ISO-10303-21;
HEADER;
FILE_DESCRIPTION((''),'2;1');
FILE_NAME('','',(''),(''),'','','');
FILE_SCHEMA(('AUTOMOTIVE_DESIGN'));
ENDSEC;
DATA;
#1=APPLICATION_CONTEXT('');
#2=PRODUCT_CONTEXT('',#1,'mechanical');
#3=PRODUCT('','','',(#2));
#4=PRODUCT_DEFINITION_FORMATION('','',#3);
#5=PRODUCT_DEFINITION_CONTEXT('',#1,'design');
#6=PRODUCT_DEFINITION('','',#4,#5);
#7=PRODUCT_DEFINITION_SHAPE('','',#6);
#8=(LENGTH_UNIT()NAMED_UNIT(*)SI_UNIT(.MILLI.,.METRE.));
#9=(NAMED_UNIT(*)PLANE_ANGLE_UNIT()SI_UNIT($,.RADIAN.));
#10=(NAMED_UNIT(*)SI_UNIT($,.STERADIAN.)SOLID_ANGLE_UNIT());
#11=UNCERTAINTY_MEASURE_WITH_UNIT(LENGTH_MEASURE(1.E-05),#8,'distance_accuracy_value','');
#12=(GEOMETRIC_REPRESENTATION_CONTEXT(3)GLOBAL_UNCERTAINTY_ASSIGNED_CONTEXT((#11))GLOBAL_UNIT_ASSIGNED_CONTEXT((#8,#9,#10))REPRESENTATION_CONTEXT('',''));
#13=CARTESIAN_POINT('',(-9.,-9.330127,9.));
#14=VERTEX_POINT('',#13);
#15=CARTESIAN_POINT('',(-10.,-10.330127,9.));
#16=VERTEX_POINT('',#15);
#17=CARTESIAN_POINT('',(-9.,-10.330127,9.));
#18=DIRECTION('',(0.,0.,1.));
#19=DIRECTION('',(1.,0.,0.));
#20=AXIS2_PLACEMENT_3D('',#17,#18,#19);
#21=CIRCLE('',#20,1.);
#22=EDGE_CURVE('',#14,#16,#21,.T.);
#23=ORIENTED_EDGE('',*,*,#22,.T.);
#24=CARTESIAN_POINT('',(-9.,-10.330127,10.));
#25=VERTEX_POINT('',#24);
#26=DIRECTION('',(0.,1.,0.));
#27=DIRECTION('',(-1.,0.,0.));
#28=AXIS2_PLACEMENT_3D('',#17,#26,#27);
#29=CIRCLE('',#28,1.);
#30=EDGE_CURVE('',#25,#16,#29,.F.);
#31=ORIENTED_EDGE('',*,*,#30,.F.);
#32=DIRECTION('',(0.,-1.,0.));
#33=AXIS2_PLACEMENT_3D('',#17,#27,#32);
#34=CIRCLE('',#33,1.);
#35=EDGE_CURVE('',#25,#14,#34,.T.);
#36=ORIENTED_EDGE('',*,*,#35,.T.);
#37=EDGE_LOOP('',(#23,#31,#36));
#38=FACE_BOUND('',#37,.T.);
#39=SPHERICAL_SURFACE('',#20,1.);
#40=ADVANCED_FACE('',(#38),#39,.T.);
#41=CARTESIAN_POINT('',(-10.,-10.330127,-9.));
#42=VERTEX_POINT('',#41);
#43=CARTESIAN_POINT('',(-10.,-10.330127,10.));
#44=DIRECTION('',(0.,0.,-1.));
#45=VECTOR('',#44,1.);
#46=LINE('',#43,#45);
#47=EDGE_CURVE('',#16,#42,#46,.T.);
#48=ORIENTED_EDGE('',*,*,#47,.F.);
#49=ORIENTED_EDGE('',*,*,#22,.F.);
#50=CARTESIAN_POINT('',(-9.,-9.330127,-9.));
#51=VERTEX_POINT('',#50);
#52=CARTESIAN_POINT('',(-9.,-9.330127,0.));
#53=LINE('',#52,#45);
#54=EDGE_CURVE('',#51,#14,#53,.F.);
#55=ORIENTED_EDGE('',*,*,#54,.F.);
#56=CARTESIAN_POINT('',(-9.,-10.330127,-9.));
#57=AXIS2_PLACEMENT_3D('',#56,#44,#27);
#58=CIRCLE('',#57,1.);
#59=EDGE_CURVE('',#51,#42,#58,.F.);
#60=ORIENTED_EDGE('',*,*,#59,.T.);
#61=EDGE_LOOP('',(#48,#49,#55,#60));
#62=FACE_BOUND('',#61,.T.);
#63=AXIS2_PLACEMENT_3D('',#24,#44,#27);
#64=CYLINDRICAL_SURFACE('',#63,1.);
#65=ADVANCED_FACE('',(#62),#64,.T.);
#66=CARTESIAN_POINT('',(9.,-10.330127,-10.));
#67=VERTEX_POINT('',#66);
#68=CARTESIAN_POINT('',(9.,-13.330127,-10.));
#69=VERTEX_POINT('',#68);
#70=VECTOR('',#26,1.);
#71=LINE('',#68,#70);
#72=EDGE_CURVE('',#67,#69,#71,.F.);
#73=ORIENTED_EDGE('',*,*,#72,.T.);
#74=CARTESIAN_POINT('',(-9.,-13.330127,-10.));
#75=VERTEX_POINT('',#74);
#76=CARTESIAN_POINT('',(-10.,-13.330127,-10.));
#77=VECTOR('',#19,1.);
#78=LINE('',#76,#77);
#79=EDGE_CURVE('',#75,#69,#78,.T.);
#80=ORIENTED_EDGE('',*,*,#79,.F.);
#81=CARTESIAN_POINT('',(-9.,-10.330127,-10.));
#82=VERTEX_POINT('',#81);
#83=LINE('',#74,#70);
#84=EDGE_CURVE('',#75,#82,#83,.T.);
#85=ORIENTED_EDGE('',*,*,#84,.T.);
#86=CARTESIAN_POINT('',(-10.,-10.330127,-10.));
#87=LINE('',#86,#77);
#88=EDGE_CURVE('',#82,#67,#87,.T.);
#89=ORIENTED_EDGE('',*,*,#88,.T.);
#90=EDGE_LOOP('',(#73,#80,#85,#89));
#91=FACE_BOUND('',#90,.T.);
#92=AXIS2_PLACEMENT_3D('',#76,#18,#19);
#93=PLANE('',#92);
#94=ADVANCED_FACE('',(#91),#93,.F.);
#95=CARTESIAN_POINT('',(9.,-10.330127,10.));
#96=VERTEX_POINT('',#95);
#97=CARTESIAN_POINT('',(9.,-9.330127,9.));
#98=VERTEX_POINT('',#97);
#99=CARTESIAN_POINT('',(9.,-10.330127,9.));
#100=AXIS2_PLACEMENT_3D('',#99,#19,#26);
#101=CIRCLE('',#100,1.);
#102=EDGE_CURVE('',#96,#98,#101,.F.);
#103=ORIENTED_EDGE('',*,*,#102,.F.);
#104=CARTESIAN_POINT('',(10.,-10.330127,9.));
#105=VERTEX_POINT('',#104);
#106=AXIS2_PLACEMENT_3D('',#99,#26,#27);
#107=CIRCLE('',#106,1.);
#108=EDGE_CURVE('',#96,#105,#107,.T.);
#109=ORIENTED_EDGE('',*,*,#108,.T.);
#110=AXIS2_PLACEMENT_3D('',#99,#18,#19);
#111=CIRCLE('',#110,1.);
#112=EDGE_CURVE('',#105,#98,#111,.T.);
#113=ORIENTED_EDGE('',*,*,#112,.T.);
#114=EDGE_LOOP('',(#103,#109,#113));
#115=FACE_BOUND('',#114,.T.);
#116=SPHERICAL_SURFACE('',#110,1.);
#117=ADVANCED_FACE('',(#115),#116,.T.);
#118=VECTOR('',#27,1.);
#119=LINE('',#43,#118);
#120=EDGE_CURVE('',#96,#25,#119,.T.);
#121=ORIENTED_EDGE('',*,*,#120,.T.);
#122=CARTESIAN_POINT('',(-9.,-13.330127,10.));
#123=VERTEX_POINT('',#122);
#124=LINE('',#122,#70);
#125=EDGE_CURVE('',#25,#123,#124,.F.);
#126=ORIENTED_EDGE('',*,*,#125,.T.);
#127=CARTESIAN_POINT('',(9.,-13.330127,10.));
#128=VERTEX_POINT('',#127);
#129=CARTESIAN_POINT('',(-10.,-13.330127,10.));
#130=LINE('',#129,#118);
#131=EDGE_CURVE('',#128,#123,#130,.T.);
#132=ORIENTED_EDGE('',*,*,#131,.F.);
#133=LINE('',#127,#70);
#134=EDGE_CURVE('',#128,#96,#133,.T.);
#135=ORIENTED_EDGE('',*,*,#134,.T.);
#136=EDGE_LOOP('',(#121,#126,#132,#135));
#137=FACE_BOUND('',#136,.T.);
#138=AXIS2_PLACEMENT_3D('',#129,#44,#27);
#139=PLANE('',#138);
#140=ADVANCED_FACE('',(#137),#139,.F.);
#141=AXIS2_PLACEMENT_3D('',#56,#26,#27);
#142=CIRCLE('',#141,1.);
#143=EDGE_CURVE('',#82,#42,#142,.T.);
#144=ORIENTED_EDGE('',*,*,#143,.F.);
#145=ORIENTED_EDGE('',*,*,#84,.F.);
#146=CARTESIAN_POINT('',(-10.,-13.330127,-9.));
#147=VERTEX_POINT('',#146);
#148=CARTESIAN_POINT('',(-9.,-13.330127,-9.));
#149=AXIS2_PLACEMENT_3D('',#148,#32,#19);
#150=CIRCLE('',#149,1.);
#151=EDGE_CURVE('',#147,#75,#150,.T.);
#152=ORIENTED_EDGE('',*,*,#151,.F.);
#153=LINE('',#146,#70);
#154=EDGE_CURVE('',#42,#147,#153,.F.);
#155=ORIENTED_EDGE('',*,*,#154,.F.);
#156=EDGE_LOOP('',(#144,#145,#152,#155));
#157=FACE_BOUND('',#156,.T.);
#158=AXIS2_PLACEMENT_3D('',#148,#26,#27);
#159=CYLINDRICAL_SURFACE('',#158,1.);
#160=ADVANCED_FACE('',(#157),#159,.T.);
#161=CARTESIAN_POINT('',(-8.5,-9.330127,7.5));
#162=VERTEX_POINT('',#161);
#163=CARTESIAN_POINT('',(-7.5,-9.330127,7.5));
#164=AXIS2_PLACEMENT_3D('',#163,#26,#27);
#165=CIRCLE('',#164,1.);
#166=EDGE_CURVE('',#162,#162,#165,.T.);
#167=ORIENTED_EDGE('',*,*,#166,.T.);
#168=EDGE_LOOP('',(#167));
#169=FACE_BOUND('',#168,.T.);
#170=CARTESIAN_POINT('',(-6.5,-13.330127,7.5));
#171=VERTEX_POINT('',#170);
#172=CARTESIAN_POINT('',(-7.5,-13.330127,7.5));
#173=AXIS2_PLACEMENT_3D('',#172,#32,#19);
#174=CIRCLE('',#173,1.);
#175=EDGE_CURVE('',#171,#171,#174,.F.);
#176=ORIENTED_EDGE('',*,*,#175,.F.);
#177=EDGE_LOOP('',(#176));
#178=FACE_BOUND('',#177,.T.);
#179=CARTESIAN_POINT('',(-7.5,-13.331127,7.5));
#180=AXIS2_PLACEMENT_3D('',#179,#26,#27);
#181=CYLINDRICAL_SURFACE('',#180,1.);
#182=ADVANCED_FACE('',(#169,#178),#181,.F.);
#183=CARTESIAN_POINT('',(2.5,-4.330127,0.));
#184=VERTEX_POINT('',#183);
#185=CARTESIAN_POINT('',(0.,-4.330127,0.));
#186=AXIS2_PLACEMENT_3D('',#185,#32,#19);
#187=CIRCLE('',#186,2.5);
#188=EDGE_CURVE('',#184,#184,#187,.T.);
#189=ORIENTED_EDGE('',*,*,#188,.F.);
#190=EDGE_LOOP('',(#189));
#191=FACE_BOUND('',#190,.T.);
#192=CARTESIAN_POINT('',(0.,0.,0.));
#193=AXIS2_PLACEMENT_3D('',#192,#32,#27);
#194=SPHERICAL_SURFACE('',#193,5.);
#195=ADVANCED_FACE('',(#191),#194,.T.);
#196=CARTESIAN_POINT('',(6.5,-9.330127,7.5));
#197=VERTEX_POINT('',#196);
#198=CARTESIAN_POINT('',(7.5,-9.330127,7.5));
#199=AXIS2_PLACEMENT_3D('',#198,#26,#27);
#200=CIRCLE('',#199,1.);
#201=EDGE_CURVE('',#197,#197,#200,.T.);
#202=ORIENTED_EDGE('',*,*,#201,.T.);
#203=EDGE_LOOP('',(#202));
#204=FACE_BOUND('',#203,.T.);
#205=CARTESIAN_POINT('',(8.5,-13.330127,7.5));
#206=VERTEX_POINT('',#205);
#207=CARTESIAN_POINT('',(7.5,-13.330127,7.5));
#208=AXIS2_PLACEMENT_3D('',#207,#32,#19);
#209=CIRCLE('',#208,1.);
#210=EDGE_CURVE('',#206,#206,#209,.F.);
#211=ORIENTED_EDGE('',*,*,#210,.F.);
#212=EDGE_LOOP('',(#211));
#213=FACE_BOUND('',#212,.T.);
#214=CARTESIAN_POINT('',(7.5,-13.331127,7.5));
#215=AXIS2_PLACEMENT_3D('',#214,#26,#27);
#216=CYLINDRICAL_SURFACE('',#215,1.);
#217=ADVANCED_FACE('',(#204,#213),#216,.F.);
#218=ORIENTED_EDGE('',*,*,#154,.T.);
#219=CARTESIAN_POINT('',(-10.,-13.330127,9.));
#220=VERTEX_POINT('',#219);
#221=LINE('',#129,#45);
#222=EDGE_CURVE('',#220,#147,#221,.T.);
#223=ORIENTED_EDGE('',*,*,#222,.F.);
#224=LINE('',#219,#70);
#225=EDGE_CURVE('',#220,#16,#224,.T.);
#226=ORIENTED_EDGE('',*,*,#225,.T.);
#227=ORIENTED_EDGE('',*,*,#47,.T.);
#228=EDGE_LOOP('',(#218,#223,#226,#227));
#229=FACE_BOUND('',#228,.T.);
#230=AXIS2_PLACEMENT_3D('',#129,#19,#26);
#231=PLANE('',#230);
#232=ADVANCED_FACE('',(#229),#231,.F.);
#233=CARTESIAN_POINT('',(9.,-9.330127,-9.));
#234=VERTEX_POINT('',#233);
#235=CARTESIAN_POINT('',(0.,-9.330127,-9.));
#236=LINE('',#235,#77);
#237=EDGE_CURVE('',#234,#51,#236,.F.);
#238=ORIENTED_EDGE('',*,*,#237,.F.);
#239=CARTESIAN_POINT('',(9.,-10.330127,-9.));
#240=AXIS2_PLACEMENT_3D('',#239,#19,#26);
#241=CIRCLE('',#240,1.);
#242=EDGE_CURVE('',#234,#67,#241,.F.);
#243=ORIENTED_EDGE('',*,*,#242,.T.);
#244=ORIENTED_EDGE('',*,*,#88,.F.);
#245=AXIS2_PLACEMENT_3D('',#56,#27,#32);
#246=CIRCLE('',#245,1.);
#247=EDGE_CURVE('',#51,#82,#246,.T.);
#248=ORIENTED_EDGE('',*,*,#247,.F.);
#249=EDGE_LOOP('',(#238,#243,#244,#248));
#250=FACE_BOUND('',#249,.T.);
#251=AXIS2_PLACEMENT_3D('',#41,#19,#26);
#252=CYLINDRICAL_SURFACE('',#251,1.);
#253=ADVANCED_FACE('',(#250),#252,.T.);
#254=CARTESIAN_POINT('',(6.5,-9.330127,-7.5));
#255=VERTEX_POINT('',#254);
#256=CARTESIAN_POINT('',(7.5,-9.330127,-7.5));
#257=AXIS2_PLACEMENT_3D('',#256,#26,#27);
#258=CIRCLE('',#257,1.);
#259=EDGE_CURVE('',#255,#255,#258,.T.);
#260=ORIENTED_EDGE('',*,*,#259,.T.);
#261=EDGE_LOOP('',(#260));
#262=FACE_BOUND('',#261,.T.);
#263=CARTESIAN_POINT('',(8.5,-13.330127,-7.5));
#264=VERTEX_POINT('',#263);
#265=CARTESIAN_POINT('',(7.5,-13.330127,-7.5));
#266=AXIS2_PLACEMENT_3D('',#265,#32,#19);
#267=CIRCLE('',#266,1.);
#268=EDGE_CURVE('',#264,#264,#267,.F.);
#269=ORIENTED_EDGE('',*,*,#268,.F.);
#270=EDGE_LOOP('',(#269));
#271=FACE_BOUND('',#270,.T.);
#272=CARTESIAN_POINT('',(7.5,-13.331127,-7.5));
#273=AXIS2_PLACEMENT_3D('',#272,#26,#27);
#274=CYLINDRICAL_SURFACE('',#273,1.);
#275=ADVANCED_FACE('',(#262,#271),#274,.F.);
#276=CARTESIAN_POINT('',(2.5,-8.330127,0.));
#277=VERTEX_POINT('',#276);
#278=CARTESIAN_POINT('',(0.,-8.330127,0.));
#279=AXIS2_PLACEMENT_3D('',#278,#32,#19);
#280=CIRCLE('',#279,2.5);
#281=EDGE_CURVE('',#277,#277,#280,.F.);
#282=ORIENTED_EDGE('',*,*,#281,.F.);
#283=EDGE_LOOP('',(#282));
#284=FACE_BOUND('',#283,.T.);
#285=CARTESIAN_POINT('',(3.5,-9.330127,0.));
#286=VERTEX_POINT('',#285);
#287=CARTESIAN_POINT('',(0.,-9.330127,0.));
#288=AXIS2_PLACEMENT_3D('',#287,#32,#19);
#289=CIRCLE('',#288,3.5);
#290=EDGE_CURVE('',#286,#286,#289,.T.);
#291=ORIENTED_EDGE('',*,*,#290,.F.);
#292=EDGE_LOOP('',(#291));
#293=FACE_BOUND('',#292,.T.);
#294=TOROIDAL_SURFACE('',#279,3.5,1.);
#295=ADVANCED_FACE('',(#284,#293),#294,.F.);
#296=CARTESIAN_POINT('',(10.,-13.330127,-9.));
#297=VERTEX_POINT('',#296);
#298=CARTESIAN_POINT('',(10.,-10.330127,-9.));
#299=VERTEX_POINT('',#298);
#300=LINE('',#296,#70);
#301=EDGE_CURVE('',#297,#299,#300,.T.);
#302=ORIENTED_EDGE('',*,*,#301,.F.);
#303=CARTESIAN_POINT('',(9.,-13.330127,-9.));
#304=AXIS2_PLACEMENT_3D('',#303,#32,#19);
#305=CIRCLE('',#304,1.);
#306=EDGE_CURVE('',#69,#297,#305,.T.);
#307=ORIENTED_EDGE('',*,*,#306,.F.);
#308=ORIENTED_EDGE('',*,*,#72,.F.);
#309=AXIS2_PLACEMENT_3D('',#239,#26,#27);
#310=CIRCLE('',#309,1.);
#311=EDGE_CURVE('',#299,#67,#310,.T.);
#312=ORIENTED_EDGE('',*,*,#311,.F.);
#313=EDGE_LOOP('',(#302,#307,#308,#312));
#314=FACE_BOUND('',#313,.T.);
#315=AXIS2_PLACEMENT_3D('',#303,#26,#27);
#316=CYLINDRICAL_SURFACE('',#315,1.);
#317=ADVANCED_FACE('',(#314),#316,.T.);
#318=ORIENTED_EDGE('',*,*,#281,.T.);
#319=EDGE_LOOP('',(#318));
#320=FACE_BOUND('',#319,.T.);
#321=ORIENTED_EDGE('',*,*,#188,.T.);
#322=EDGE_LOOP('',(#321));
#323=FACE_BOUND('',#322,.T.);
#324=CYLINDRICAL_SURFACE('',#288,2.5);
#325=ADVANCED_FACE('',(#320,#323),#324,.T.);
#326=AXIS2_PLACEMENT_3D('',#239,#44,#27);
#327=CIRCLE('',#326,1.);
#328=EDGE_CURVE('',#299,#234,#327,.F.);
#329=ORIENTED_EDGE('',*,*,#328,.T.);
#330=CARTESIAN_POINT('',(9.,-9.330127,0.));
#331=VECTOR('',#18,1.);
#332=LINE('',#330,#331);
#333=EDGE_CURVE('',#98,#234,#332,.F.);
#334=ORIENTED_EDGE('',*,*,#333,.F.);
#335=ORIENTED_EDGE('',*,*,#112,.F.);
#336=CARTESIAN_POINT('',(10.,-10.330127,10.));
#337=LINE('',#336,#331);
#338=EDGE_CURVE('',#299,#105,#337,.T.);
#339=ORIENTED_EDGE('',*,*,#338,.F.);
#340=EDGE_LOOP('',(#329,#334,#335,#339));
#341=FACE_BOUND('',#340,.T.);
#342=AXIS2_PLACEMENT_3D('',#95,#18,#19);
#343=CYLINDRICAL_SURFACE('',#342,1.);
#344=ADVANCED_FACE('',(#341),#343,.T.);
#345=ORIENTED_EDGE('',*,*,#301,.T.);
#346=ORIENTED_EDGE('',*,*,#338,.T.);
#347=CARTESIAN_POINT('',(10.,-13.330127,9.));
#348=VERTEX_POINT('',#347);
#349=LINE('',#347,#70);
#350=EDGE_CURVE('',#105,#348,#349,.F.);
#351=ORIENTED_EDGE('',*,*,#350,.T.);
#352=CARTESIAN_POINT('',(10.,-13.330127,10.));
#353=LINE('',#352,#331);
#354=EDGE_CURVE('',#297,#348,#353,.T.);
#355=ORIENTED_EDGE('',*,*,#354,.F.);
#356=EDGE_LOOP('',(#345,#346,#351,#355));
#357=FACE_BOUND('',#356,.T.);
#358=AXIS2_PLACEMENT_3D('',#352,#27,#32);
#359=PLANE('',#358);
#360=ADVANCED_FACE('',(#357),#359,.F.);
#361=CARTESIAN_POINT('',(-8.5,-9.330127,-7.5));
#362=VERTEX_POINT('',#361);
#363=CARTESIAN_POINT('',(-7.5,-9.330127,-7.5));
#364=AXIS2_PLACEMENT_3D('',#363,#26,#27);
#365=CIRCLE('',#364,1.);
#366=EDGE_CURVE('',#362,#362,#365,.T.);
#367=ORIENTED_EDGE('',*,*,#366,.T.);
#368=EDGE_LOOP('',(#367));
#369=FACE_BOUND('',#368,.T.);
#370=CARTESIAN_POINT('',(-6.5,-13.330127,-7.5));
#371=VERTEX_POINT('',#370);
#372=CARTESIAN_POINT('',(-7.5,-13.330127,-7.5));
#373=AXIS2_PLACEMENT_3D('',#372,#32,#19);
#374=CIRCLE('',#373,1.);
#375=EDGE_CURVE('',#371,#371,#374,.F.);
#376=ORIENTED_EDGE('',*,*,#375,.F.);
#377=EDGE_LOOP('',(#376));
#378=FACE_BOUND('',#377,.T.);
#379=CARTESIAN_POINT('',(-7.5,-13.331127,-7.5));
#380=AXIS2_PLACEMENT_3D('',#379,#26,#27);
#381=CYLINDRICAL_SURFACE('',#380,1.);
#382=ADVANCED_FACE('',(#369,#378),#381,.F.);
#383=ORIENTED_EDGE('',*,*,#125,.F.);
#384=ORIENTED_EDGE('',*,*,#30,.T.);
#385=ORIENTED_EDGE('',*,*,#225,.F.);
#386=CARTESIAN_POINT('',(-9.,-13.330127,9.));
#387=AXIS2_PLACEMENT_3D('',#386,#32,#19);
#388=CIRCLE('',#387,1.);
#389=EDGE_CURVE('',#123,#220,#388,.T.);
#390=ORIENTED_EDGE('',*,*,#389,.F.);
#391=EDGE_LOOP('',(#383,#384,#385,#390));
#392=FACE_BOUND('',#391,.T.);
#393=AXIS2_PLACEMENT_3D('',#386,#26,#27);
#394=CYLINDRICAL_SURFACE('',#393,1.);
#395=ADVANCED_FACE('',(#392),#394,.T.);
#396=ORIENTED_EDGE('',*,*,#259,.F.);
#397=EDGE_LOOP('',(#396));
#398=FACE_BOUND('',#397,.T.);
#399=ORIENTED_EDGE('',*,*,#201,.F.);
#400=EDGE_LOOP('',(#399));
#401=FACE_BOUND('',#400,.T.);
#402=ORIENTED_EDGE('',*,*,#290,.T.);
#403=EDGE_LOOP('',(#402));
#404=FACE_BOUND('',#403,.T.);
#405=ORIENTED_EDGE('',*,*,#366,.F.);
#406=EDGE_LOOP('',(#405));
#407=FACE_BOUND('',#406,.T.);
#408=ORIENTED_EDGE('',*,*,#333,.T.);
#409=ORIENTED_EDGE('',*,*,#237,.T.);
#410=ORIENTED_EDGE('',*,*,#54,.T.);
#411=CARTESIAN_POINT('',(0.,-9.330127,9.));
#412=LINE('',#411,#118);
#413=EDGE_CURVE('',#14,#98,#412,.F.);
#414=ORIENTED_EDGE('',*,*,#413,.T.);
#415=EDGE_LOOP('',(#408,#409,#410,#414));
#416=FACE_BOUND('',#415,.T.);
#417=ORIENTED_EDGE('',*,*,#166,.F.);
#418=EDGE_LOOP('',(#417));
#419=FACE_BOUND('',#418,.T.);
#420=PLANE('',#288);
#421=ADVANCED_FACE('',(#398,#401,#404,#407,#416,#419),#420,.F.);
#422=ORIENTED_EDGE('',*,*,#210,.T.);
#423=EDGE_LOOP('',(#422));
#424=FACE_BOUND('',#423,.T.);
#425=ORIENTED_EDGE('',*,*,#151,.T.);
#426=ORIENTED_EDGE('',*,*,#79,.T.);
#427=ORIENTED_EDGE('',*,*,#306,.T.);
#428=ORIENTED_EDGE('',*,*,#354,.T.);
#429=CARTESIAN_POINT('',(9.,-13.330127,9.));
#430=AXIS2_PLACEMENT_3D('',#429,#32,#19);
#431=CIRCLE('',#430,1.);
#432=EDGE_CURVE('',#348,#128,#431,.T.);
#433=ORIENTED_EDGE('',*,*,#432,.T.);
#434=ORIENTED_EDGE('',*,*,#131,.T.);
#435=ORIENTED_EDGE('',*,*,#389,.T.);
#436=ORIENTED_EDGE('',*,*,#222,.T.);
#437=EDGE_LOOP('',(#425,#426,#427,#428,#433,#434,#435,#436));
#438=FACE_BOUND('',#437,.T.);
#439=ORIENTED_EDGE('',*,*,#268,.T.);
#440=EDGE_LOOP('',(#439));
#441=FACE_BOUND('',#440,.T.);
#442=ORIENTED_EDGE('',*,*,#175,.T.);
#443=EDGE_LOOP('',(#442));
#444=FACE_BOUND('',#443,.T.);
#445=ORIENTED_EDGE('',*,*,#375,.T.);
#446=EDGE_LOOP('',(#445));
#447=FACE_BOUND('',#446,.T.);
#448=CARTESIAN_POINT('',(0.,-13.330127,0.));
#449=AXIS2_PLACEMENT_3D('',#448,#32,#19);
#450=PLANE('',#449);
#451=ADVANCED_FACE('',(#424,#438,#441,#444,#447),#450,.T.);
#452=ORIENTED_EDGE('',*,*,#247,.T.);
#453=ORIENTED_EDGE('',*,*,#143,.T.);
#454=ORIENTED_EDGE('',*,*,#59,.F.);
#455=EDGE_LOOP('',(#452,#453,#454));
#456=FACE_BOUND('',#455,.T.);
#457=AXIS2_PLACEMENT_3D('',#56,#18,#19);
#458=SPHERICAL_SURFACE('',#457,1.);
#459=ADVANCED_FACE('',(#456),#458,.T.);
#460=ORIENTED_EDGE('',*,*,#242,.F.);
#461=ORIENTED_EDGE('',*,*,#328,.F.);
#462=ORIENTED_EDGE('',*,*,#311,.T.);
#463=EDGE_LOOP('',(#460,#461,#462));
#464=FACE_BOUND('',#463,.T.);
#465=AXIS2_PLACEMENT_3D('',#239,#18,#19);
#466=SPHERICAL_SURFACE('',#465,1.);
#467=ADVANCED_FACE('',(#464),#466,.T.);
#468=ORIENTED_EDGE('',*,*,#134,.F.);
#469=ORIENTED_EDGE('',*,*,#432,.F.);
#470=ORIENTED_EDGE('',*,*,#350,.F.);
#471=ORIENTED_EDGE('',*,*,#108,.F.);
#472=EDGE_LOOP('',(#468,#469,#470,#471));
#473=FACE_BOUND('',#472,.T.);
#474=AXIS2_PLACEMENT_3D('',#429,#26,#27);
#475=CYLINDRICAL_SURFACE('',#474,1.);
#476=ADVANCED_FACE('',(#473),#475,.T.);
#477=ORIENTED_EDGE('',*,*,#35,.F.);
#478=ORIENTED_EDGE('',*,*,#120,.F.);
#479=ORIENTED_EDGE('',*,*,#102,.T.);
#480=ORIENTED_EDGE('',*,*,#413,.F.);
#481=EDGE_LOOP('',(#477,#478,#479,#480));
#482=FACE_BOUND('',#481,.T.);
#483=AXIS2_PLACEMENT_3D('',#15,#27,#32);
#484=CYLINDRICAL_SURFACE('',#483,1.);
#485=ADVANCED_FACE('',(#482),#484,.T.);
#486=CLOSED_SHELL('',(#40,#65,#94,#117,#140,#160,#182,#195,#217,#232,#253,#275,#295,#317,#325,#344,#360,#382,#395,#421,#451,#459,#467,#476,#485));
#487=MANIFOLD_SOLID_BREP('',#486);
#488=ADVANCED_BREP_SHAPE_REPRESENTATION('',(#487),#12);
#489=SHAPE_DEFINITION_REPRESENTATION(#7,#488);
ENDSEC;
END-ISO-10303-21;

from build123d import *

# Parameters (mm, degrees)
ESQUISSE2_W             = 20
ESQUISSE2_H             = 20
BOSS_EXTRU_1_DEPTH      = 4
ENL_V_MAT_EXTRU_1_REACH = 6
ESQUISSE3_R             = 1
CONG_1_R                = 1


with BuildPart() as part:
    # Esquisse1 → Révolution1 (revolve)
    with BuildSketch(Plane.XY):
        with BuildLine():
            Line((-2.5, -4.330127019), (-2.5, -9.330127019))
            Line((-2.5, -9.330127019), (0, -9.330127019))
            Line((0, -9.330127019), (0, 5))
            ThreePointArc((0, 5), (-4.829629131, 1.294095226), (-2.5, -4.330127019))
        make_face()
    revolve(axis=Axis((0, -9.330127019, 0), (0, 1, 0)))

    # Esquisse2 → Boss.-Extru.1 (add)
    with BuildSketch(Plane.XZ.offset(9.330127019)):
        Rectangle(ESQUISSE2_W, ESQUISSE2_H)
    extrude(amount=BOSS_EXTRU_1_DEPTH)

    # Esquisse3 → Enlèv. mat.-Extru.1 (cut, up to next)
    with BuildSketch(Plane(origin=(0, -9.330127019, 0), x_dir=(1, 0, 0), z_dir=(0, 1, 0)), mode=Mode.PRIVATE) as enl_v_mat_extru_1_sk1:
        with Locations(Location((7.5, -7.5, 0), (0, 0, 180))):  # turned: the seam where the file's is
            Circle(ESQUISSE3_R)
    enl_v_mat_extru_1_tool1 = extrude(enl_v_mat_extru_1_sk1.sketch, amount=-ENL_V_MAT_EXTRU_1_REACH, mode=Mode.PRIVATE) & part.part
    add(enl_v_mat_extru_1_tool1.solids().sort_by_distance((7.5, -9.330127, 7.5))[0], mode=Mode.SUBTRACT)
    # Esquisse3 → Enlèv. mat.-Extru.1 (cut, up to next)
    with BuildSketch(Plane(origin=(0, -9.330127019, 0), x_dir=(1, 0, 0), z_dir=(0, 1, 0)), mode=Mode.PRIVATE) as enl_v_mat_extru_1_sk2:
        with Locations(Location((7.5, 7.5, 0), (0, 0, 180))):  # turned: the seam where the file's is
            Circle(ESQUISSE3_R)
    enl_v_mat_extru_1_tool2 = extrude(enl_v_mat_extru_1_sk2.sketch, amount=-ENL_V_MAT_EXTRU_1_REACH, mode=Mode.PRIVATE) & part.part
    add(enl_v_mat_extru_1_tool2.solids().sort_by_distance((7.5, -9.330127, -7.5))[0], mode=Mode.SUBTRACT)
    # Esquisse3 → Enlèv. mat.-Extru.1 (cut, up to next)
    with BuildSketch(Plane(origin=(0, -9.330127019, 0), x_dir=(1, 0, 0), z_dir=(0, 1, 0)), mode=Mode.PRIVATE) as enl_v_mat_extru_1_sk3:
        with Locations(Location((-7.5, 7.5, 0), (0, 0, 180))):  # turned: the seam where the file's is
            Circle(ESQUISSE3_R)
    enl_v_mat_extru_1_tool3 = extrude(enl_v_mat_extru_1_sk3.sketch, amount=-ENL_V_MAT_EXTRU_1_REACH, mode=Mode.PRIVATE) & part.part
    add(enl_v_mat_extru_1_tool3.solids().sort_by_distance((-7.5, -9.330127, -7.5))[0], mode=Mode.SUBTRACT)
    # Esquisse3 → Enlèv. mat.-Extru.1 (cut, up to next)
    with BuildSketch(Plane(origin=(0, -9.330127019, 0), x_dir=(1, 0, 0), z_dir=(0, 1, 0)), mode=Mode.PRIVATE) as enl_v_mat_extru_1_sk4:
        with Locations(Location((-7.5, -7.5, 0), (0, 0, 180))):  # turned: the seam where the file's is
            Circle(ESQUISSE3_R)
    enl_v_mat_extru_1_tool4 = extrude(enl_v_mat_extru_1_sk4.sketch, amount=-ENL_V_MAT_EXTRU_1_REACH, mode=Mode.PRIVATE) & part.part
    add(enl_v_mat_extru_1_tool4.solids().sort_by_distance((-7.5, -9.330127, 7.5))[0], mode=Mode.SUBTRACT)

    # Congé1
    cong_1_edges = [part.edges().sort_by_distance(p)[0] for p in [
        (-10, -11.330127019, -10),
        (10, -9.330127019, 0),
        (10, -11.330127019, -10),
        (0, -9.330127019, 10),
        (10, -11.330127019, 10),
        (2.5, -9.330127019, 0),
        (-10, -9.330127019, 0),
        (-10, -11.330127019, 10),
        (0, -9.330127019, -10),
    ]]
    fillet(cong_1_edges, radius=CONG_1_R)


solid = part.part
